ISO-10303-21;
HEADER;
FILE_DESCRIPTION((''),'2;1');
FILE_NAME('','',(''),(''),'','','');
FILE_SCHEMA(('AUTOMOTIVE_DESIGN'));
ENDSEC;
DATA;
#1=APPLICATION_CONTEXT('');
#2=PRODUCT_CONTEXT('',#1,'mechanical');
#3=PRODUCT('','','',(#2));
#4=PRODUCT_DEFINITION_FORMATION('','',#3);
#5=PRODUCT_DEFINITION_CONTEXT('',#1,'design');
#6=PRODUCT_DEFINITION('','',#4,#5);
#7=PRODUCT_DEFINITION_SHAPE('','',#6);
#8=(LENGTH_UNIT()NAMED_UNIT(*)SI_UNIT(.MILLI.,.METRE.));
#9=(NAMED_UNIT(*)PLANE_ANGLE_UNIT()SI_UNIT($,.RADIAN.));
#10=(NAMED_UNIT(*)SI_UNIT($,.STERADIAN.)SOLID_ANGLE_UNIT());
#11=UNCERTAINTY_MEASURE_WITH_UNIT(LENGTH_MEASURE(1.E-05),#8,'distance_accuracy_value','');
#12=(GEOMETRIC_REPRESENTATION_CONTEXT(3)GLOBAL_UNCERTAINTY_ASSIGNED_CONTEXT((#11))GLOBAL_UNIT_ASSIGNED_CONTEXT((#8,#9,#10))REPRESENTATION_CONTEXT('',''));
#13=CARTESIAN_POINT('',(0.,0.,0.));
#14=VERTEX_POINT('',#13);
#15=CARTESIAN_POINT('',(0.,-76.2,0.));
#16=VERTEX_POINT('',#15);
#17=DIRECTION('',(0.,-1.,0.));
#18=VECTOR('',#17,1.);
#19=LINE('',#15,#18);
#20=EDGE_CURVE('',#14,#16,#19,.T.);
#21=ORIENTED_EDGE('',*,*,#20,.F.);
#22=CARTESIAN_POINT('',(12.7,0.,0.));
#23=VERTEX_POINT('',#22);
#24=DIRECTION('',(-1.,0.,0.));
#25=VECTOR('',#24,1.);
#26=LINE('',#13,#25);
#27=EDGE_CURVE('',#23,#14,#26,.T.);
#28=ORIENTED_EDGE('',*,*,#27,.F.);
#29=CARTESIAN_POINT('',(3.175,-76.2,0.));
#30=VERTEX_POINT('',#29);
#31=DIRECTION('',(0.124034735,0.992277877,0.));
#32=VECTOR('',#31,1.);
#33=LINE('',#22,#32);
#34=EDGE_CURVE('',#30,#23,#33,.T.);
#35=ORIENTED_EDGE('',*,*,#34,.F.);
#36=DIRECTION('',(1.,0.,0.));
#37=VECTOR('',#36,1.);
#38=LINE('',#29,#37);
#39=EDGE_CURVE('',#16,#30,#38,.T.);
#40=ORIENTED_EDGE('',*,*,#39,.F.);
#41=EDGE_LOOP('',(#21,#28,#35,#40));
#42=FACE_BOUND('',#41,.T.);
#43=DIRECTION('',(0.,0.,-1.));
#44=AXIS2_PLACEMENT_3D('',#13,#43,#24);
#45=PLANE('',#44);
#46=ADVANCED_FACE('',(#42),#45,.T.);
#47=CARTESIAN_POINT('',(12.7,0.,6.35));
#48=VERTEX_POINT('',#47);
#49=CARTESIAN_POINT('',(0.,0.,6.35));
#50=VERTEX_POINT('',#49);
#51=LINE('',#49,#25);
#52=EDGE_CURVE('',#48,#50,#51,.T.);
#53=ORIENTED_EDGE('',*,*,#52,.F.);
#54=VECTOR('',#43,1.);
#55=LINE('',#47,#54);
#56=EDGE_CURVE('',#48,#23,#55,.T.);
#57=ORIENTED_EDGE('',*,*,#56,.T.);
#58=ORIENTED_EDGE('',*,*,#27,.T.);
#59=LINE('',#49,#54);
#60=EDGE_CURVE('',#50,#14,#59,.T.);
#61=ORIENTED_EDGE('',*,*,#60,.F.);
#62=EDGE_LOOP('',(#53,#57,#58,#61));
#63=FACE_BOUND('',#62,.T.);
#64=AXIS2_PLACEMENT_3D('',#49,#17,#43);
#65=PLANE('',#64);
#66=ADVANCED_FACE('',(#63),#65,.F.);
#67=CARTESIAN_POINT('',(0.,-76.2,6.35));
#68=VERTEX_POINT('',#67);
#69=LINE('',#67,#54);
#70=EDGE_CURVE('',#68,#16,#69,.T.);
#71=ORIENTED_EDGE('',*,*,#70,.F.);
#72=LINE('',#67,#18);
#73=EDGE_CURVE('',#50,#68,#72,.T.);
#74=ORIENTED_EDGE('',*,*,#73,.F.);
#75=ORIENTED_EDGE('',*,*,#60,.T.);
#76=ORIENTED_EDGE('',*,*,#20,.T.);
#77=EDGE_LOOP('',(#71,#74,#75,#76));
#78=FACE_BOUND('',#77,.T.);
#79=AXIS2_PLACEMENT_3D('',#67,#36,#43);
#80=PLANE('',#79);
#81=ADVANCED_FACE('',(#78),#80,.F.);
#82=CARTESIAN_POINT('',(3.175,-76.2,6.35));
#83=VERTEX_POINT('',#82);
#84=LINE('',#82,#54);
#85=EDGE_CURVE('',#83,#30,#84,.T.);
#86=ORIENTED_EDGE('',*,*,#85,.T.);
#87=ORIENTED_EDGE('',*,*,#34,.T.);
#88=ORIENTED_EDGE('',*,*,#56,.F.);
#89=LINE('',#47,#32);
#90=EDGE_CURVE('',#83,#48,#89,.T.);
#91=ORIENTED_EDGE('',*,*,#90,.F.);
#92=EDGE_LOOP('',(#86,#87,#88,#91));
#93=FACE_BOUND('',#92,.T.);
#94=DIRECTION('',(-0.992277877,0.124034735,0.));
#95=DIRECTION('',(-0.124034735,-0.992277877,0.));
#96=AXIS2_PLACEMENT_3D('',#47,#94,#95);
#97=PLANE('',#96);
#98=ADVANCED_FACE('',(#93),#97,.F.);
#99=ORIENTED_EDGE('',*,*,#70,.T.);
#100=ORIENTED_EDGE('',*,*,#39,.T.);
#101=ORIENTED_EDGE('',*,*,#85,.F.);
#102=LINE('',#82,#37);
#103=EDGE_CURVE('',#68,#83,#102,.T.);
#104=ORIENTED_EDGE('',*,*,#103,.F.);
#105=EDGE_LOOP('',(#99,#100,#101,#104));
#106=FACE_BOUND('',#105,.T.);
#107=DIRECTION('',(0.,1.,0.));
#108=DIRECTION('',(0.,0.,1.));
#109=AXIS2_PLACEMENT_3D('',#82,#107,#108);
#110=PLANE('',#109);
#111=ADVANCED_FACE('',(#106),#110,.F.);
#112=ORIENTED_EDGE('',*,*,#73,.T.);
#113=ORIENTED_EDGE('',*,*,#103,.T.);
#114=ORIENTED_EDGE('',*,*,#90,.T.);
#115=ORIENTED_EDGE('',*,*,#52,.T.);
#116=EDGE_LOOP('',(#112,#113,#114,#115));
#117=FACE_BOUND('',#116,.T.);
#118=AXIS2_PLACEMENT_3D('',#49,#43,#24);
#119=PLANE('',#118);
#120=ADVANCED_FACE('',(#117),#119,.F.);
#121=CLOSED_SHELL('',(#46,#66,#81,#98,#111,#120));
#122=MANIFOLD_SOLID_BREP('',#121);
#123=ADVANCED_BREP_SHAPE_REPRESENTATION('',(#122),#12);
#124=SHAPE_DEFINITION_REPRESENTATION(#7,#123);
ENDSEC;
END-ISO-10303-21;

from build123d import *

# Parameters (mm, degrees)
BOSS_EXTRUDE1_DEPTH = 6.35


with BuildPart() as part:
    # Sketch1 → Boss-Extrude1 (new body)
    with BuildSketch(Plane.XY):
        Polygon((0, 0), (12.7, 0), (3.175, -76.2), (0, -76.2), align=None)
    extrude(amount=BOSS_EXTRUDE1_DEPTH)


solid = part.part
